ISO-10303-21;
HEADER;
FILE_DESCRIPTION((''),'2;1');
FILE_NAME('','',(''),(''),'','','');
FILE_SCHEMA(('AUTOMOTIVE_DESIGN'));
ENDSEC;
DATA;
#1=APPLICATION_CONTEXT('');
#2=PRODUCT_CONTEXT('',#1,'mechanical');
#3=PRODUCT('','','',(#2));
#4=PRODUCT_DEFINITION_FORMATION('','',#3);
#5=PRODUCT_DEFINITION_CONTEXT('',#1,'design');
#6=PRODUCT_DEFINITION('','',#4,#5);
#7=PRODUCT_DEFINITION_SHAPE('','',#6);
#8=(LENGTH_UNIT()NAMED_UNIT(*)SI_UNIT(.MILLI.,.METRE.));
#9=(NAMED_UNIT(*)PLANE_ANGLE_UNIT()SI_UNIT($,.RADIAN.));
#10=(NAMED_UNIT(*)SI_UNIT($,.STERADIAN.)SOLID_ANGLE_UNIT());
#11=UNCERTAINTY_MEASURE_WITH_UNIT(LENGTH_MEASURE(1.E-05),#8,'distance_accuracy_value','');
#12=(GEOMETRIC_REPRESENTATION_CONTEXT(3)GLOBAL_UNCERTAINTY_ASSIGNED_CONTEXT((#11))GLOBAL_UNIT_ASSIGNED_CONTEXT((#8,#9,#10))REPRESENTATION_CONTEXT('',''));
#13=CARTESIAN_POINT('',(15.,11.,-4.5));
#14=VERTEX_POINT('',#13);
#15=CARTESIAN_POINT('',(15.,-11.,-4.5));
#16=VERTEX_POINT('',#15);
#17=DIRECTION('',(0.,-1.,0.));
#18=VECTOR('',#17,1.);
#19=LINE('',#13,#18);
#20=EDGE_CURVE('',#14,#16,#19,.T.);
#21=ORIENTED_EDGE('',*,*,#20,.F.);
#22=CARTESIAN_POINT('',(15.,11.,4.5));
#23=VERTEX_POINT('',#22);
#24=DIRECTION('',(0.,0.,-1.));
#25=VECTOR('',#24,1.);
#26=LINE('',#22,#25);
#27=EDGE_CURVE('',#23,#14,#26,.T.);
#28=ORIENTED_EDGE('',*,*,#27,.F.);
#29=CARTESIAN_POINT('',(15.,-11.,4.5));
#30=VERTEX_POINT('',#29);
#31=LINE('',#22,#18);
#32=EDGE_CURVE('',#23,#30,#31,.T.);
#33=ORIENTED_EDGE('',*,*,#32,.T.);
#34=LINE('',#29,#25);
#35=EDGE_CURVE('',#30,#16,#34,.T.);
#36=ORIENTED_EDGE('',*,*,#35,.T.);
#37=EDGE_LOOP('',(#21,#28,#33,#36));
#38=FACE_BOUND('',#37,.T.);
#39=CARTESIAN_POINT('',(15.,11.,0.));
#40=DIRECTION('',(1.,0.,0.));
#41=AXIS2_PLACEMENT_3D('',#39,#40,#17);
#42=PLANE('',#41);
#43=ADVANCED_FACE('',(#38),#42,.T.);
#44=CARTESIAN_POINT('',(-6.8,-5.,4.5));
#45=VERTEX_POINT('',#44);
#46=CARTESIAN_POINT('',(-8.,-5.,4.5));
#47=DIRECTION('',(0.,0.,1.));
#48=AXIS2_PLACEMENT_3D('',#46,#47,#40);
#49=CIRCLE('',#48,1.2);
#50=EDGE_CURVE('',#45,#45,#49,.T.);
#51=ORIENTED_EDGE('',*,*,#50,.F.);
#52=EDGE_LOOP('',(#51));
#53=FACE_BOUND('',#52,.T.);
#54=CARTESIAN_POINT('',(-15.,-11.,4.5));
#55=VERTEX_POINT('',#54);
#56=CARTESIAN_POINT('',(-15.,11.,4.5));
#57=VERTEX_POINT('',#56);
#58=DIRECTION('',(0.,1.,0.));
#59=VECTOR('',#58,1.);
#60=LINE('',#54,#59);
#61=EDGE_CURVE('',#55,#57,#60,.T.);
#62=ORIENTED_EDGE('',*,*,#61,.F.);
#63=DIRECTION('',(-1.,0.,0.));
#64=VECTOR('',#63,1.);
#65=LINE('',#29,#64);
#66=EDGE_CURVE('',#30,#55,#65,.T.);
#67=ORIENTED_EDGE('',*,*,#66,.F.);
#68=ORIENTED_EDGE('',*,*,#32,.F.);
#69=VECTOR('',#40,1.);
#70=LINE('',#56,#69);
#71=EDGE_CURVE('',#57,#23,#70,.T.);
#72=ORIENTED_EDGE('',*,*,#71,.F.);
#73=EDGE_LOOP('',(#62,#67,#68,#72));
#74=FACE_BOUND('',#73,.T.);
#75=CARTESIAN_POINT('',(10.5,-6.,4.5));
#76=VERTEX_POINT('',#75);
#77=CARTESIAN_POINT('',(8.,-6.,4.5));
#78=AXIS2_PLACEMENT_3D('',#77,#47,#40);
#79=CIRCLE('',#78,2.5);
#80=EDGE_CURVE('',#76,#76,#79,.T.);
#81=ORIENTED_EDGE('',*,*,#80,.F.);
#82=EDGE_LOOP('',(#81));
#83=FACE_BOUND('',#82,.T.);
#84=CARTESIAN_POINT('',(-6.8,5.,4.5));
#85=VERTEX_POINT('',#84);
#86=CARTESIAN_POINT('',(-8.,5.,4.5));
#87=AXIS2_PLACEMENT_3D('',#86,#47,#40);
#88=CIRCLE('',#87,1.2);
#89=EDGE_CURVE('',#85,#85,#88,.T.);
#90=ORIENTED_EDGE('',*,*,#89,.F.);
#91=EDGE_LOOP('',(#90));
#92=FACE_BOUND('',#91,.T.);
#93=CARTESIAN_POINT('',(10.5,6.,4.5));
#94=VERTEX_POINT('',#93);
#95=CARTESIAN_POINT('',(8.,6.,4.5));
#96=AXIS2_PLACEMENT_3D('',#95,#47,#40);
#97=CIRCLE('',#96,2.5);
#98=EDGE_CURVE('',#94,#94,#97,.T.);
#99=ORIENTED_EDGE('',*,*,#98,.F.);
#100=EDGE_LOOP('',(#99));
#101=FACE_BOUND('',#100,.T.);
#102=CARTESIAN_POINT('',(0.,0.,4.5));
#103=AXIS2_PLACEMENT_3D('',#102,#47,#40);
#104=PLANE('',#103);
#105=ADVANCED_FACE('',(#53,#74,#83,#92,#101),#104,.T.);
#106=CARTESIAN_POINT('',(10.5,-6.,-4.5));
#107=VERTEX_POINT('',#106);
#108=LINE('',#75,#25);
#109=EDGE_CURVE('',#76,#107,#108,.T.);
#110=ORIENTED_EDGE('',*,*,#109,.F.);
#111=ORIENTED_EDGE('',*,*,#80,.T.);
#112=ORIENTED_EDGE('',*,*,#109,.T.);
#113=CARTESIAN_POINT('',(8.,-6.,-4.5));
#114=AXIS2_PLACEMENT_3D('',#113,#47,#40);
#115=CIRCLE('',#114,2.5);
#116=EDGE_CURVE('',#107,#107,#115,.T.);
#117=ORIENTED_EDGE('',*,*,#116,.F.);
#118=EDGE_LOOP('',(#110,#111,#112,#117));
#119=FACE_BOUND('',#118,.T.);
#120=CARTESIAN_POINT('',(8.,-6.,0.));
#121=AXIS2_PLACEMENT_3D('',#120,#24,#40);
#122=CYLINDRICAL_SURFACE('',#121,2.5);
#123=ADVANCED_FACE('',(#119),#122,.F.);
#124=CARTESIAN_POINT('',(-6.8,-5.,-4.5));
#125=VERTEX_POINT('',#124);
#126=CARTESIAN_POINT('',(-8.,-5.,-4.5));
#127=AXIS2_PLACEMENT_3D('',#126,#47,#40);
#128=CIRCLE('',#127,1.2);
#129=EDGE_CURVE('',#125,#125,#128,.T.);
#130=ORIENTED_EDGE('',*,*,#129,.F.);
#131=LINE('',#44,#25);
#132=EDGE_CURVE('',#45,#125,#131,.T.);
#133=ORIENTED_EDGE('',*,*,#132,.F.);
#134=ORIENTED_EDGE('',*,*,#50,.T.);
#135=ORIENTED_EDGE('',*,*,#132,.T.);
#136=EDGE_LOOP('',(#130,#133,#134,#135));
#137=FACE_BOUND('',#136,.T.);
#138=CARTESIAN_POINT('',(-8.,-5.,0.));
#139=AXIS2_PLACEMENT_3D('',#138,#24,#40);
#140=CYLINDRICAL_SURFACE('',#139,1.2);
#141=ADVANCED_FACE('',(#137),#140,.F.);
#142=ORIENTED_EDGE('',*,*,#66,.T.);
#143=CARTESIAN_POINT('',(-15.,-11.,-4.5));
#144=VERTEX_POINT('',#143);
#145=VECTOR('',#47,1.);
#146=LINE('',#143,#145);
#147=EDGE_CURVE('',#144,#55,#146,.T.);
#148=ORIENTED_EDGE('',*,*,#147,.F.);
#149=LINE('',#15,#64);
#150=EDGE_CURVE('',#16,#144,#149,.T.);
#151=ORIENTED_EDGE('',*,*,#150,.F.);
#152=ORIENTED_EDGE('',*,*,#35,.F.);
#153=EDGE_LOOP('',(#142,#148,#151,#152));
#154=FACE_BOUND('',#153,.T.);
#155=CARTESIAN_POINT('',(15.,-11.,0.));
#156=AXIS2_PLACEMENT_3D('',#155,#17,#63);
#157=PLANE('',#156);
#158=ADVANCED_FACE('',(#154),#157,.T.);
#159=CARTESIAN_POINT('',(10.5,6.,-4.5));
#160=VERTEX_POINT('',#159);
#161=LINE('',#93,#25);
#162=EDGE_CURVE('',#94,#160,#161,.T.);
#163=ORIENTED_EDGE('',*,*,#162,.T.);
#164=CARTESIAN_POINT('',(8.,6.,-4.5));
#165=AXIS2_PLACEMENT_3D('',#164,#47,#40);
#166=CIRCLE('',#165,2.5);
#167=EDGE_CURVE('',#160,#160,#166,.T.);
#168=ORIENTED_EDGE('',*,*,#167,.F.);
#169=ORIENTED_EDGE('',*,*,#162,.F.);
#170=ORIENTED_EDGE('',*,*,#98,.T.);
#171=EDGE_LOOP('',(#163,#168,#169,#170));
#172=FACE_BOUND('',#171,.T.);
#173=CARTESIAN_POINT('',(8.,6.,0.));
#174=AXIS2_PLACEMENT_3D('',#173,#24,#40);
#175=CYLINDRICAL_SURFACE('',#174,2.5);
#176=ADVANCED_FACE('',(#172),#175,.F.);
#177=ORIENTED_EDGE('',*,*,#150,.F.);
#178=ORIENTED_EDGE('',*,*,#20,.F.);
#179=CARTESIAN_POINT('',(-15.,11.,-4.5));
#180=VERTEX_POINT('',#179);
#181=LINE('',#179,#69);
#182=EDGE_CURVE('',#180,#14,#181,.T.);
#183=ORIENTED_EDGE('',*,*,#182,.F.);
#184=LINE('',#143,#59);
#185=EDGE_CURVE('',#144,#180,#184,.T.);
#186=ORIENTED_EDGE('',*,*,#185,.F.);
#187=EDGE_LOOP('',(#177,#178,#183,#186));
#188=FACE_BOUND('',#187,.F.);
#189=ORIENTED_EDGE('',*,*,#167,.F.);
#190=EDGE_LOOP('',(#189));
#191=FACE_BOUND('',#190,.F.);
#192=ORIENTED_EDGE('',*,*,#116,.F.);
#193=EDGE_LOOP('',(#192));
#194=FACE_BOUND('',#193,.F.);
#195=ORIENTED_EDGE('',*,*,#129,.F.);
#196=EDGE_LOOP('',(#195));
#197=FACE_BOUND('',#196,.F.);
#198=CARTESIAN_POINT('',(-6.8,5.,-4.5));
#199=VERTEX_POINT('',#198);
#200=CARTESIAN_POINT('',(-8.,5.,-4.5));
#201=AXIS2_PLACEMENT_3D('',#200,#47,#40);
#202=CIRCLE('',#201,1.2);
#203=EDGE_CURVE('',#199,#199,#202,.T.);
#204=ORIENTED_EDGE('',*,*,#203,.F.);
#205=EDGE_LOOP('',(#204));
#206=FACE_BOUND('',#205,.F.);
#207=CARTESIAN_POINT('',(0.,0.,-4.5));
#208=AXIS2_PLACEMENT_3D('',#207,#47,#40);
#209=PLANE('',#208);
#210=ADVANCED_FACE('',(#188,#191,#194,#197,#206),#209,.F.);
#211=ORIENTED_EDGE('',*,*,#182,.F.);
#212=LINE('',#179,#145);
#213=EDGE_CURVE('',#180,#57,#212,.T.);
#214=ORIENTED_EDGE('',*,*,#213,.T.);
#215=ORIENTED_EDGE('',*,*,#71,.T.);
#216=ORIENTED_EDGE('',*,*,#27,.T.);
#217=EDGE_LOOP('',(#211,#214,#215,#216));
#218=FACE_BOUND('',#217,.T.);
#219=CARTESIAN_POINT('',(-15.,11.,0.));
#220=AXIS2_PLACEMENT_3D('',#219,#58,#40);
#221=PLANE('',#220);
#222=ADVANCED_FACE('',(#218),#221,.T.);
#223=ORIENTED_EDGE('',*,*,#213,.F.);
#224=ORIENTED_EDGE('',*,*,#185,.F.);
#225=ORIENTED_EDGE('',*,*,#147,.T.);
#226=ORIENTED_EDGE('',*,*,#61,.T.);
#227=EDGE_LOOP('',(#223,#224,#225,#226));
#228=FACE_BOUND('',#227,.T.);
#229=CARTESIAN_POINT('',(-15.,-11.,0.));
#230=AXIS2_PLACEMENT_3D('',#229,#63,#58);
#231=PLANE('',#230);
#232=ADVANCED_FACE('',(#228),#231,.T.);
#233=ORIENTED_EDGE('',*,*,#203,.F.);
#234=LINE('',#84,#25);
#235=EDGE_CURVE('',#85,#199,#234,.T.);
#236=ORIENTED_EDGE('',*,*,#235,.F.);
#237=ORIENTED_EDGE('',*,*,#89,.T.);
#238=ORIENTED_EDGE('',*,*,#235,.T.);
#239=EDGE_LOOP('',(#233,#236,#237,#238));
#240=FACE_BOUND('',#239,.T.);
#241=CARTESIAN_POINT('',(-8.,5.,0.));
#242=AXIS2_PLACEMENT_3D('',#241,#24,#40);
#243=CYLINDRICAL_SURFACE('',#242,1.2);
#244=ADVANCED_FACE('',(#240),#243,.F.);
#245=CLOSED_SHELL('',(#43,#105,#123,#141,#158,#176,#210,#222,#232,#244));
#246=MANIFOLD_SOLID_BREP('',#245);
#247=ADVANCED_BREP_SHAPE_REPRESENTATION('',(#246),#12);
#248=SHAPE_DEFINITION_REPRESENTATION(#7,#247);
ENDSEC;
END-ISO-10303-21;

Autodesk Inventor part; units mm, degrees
sketch "Sketch1" plane through (0, 0, 0) normal (0, 0, 1) x (1, 0, 0)
  line L0 (-15, 11) -> (15, 11)
  line L1 (15, 11) -> (15, -11)
  line L2 (15, -11) -> (-15, -11)
  line L3 (-15, -11) -> (-15, 11)
  line L4 (-15, 11) -> (15, -11) construction
  line L5 (15, 11) -> (-15, -11) construction
  circle A0 centre (-8, 5) radius 1.2
  circle A1 centre (-8, -5) radius 1.2
  line L6 (-8, 5) -> (-8, -5) construction
  circle A2 centre (8, 6) radius 2.5
  circle A3 centre (8, -6) radius 2.5
  line L7 (8, 6) -> (8, -6) construction
  point P0 (0, 0)
  point P1 (0, 0)
  point P2 (-8, 0)
  point P3 (8, 0)
  dimension "d2" = 30
  dimension "d3" = 22
  dimension "d6" = 2.4
  dimension "d7" = 10
  dimension "d8" = 8
  dimension "d11" = 5
  dimension "d12" = 8
  dimension "d13" = 12
extrude "Extrusion3" add sketch "Sketch1" along normal mid plane 9
properties part number "suporte_microswitch_001" material "ABS Plastic"
